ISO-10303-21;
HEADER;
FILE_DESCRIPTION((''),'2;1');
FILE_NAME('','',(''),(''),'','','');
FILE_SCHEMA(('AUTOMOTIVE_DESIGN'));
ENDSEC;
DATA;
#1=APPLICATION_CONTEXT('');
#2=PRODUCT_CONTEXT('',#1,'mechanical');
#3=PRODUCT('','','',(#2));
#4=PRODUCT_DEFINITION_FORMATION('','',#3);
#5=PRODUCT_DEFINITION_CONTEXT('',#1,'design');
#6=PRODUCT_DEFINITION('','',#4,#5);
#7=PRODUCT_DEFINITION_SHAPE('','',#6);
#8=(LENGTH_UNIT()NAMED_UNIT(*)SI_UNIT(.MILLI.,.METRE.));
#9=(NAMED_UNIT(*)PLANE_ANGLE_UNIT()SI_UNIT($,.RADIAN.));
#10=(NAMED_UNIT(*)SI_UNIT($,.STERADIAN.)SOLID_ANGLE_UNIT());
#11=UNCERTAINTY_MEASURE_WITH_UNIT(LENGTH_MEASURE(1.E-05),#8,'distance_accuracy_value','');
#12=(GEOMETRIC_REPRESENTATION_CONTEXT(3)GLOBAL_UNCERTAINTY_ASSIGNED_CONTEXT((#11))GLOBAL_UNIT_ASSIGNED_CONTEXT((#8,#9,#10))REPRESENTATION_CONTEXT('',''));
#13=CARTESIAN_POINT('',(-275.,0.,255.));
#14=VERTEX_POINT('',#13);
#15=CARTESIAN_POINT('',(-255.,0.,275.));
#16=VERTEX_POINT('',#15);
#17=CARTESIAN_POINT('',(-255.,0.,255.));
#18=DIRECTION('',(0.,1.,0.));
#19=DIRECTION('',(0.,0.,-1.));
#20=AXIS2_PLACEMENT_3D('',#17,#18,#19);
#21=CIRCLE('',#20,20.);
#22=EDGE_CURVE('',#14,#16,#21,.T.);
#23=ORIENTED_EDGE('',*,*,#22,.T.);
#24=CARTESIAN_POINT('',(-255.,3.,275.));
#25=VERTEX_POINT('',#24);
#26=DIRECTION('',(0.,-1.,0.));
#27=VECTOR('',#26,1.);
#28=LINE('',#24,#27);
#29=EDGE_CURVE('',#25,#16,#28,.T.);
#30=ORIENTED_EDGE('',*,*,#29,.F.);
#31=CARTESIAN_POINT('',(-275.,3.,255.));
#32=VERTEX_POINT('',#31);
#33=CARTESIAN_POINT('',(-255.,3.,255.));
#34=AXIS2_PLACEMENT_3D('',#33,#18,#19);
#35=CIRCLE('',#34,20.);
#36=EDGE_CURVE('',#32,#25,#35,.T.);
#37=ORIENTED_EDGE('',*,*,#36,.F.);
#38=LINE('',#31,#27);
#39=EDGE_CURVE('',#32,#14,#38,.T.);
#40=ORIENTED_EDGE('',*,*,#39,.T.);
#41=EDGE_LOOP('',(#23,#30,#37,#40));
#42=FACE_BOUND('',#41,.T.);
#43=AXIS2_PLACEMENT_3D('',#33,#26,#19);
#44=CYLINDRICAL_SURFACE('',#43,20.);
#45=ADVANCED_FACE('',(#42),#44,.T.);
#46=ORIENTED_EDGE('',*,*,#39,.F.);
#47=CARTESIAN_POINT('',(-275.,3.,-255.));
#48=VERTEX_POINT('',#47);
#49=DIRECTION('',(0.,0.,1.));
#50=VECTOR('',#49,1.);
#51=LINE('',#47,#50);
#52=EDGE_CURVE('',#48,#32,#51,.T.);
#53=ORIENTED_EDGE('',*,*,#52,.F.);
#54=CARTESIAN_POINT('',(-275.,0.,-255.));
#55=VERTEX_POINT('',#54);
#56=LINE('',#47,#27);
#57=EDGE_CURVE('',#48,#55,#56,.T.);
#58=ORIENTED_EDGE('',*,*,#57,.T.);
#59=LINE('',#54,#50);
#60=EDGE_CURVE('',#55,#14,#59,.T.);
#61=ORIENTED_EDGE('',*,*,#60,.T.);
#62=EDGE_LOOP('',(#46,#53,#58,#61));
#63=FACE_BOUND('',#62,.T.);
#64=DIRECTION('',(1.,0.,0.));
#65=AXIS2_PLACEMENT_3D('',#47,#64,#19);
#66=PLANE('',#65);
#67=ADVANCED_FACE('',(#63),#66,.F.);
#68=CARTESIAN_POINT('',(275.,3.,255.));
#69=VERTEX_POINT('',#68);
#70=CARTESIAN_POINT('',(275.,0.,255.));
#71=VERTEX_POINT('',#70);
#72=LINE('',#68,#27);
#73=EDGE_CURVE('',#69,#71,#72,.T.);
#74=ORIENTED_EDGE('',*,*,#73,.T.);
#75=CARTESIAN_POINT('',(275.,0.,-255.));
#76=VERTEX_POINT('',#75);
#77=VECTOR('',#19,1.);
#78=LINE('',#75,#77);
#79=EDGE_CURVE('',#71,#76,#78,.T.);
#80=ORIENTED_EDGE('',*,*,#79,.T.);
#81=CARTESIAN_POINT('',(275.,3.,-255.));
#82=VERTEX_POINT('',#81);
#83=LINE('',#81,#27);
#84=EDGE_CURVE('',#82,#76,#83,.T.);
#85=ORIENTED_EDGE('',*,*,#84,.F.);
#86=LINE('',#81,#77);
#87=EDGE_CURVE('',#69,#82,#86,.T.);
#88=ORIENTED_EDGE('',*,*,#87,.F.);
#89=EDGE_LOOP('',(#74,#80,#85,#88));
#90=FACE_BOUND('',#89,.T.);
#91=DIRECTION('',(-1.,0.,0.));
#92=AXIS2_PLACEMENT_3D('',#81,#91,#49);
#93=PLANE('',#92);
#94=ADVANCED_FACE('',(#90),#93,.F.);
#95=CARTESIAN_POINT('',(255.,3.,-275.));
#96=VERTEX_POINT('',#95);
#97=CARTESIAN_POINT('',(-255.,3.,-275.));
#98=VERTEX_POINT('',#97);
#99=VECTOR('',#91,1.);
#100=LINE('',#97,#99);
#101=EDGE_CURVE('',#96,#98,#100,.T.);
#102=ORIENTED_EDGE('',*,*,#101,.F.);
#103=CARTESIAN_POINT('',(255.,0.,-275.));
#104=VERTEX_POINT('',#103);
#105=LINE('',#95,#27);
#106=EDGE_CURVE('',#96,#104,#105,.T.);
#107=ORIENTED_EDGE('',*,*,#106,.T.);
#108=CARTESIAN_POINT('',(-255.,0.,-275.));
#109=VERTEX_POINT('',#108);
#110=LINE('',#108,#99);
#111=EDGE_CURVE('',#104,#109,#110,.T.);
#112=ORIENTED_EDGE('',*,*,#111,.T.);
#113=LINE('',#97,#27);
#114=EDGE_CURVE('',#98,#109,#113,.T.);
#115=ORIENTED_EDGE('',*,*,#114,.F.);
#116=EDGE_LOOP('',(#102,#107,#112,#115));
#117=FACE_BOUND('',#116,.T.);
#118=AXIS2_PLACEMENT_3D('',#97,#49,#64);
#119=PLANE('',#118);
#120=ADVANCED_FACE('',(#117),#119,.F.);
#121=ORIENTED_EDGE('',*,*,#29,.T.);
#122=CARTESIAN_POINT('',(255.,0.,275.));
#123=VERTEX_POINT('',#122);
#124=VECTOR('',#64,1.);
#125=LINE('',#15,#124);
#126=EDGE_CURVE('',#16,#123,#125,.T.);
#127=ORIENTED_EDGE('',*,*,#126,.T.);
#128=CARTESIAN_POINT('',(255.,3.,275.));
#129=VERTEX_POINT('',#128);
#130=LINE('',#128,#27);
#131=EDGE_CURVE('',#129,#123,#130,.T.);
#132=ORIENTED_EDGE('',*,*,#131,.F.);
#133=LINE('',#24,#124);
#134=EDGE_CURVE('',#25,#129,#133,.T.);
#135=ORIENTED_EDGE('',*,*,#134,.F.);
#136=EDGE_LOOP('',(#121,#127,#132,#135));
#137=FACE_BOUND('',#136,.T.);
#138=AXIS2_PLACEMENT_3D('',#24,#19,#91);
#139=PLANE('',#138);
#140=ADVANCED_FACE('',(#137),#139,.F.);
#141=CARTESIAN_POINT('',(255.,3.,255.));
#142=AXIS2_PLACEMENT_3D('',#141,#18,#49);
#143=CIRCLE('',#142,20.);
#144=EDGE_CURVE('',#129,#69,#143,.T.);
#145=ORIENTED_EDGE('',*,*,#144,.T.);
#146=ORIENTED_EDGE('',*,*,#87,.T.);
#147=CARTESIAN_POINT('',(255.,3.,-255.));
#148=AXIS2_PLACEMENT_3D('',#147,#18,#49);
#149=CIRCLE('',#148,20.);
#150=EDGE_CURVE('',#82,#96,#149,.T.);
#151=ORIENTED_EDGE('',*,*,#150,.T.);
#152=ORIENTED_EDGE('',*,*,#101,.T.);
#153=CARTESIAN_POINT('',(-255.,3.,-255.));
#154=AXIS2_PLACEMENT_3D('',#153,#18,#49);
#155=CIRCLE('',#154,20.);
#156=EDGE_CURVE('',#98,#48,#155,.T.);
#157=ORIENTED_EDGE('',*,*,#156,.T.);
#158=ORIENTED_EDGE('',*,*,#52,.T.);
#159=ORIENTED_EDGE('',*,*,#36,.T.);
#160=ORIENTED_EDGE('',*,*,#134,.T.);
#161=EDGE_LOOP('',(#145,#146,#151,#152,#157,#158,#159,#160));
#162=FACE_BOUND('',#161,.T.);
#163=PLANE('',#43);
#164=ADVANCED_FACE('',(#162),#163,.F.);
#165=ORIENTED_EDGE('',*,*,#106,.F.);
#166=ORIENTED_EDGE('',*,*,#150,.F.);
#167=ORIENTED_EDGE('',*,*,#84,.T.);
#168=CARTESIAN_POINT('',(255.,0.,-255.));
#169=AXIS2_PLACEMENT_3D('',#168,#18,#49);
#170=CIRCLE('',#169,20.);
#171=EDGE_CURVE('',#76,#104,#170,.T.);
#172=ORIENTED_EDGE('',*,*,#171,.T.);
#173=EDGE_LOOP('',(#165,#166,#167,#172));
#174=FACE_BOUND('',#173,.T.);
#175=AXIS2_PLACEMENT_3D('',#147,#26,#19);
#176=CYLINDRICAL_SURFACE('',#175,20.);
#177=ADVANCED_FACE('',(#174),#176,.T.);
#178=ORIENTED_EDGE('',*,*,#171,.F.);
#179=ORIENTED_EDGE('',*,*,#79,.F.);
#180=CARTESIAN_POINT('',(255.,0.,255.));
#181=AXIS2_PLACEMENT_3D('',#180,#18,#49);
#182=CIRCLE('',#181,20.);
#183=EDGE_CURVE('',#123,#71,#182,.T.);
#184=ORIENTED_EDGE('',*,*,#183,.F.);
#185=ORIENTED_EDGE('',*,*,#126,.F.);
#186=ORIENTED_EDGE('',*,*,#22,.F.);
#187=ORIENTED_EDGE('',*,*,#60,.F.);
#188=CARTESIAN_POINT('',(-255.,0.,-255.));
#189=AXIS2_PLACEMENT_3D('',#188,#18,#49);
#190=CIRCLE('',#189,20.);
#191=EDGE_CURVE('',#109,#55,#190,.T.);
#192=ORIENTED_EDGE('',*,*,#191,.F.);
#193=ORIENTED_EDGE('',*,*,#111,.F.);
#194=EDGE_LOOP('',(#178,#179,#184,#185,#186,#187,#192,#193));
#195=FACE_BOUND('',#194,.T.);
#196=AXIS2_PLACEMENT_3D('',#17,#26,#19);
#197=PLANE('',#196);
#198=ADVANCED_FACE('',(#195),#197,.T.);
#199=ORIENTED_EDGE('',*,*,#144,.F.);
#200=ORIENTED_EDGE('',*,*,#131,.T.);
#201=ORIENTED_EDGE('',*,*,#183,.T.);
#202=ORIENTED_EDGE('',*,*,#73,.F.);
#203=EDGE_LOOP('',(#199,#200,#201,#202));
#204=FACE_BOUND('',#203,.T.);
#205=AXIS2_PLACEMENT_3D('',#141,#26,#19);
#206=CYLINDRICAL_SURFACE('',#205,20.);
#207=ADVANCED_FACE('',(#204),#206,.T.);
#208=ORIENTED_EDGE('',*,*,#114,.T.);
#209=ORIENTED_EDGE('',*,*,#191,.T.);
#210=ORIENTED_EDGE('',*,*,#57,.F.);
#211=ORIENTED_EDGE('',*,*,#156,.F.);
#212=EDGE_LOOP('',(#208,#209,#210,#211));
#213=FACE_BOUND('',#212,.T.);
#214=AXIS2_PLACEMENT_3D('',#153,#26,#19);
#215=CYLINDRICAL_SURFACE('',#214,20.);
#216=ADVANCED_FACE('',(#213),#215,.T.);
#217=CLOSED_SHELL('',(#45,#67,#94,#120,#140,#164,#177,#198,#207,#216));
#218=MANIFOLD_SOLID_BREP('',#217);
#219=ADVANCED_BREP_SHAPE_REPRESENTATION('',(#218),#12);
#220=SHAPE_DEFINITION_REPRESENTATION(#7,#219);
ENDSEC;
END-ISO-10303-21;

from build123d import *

# Parameters (mm, degrees)
BOSS_EXTRUDE1_DEPTH = 3


with BuildPart() as part:
    # Sketch1 → Boss-Extrude1 (new body)
    with BuildSketch(Plane(origin=(0, 0, 0), x_dir=(1, 0, 0), z_dir=(0, 1, 0))):
        with BuildLine():
            Line((-255, 275), (255, 275))
            ThreePointArc((255, 275), (269.142135624, 269.142135624), (275, 255))
            Line((275, 255), (275, -255))
            ThreePointArc((275, -255), (269.142135624, -269.142135624), (255, -275))
            Line((255, -275), (-255, -275))
            ThreePointArc((-255, -275), (-269.142135624, -269.142135624), (-275, -255))
            Line((-275, -255), (-275, 255))
            ThreePointArc((-275, 255), (-269.142135624, 269.142135624), (-255, 275))
        make_face()
    extrude(amount=BOSS_EXTRUDE1_DEPTH)


solid = part.part
